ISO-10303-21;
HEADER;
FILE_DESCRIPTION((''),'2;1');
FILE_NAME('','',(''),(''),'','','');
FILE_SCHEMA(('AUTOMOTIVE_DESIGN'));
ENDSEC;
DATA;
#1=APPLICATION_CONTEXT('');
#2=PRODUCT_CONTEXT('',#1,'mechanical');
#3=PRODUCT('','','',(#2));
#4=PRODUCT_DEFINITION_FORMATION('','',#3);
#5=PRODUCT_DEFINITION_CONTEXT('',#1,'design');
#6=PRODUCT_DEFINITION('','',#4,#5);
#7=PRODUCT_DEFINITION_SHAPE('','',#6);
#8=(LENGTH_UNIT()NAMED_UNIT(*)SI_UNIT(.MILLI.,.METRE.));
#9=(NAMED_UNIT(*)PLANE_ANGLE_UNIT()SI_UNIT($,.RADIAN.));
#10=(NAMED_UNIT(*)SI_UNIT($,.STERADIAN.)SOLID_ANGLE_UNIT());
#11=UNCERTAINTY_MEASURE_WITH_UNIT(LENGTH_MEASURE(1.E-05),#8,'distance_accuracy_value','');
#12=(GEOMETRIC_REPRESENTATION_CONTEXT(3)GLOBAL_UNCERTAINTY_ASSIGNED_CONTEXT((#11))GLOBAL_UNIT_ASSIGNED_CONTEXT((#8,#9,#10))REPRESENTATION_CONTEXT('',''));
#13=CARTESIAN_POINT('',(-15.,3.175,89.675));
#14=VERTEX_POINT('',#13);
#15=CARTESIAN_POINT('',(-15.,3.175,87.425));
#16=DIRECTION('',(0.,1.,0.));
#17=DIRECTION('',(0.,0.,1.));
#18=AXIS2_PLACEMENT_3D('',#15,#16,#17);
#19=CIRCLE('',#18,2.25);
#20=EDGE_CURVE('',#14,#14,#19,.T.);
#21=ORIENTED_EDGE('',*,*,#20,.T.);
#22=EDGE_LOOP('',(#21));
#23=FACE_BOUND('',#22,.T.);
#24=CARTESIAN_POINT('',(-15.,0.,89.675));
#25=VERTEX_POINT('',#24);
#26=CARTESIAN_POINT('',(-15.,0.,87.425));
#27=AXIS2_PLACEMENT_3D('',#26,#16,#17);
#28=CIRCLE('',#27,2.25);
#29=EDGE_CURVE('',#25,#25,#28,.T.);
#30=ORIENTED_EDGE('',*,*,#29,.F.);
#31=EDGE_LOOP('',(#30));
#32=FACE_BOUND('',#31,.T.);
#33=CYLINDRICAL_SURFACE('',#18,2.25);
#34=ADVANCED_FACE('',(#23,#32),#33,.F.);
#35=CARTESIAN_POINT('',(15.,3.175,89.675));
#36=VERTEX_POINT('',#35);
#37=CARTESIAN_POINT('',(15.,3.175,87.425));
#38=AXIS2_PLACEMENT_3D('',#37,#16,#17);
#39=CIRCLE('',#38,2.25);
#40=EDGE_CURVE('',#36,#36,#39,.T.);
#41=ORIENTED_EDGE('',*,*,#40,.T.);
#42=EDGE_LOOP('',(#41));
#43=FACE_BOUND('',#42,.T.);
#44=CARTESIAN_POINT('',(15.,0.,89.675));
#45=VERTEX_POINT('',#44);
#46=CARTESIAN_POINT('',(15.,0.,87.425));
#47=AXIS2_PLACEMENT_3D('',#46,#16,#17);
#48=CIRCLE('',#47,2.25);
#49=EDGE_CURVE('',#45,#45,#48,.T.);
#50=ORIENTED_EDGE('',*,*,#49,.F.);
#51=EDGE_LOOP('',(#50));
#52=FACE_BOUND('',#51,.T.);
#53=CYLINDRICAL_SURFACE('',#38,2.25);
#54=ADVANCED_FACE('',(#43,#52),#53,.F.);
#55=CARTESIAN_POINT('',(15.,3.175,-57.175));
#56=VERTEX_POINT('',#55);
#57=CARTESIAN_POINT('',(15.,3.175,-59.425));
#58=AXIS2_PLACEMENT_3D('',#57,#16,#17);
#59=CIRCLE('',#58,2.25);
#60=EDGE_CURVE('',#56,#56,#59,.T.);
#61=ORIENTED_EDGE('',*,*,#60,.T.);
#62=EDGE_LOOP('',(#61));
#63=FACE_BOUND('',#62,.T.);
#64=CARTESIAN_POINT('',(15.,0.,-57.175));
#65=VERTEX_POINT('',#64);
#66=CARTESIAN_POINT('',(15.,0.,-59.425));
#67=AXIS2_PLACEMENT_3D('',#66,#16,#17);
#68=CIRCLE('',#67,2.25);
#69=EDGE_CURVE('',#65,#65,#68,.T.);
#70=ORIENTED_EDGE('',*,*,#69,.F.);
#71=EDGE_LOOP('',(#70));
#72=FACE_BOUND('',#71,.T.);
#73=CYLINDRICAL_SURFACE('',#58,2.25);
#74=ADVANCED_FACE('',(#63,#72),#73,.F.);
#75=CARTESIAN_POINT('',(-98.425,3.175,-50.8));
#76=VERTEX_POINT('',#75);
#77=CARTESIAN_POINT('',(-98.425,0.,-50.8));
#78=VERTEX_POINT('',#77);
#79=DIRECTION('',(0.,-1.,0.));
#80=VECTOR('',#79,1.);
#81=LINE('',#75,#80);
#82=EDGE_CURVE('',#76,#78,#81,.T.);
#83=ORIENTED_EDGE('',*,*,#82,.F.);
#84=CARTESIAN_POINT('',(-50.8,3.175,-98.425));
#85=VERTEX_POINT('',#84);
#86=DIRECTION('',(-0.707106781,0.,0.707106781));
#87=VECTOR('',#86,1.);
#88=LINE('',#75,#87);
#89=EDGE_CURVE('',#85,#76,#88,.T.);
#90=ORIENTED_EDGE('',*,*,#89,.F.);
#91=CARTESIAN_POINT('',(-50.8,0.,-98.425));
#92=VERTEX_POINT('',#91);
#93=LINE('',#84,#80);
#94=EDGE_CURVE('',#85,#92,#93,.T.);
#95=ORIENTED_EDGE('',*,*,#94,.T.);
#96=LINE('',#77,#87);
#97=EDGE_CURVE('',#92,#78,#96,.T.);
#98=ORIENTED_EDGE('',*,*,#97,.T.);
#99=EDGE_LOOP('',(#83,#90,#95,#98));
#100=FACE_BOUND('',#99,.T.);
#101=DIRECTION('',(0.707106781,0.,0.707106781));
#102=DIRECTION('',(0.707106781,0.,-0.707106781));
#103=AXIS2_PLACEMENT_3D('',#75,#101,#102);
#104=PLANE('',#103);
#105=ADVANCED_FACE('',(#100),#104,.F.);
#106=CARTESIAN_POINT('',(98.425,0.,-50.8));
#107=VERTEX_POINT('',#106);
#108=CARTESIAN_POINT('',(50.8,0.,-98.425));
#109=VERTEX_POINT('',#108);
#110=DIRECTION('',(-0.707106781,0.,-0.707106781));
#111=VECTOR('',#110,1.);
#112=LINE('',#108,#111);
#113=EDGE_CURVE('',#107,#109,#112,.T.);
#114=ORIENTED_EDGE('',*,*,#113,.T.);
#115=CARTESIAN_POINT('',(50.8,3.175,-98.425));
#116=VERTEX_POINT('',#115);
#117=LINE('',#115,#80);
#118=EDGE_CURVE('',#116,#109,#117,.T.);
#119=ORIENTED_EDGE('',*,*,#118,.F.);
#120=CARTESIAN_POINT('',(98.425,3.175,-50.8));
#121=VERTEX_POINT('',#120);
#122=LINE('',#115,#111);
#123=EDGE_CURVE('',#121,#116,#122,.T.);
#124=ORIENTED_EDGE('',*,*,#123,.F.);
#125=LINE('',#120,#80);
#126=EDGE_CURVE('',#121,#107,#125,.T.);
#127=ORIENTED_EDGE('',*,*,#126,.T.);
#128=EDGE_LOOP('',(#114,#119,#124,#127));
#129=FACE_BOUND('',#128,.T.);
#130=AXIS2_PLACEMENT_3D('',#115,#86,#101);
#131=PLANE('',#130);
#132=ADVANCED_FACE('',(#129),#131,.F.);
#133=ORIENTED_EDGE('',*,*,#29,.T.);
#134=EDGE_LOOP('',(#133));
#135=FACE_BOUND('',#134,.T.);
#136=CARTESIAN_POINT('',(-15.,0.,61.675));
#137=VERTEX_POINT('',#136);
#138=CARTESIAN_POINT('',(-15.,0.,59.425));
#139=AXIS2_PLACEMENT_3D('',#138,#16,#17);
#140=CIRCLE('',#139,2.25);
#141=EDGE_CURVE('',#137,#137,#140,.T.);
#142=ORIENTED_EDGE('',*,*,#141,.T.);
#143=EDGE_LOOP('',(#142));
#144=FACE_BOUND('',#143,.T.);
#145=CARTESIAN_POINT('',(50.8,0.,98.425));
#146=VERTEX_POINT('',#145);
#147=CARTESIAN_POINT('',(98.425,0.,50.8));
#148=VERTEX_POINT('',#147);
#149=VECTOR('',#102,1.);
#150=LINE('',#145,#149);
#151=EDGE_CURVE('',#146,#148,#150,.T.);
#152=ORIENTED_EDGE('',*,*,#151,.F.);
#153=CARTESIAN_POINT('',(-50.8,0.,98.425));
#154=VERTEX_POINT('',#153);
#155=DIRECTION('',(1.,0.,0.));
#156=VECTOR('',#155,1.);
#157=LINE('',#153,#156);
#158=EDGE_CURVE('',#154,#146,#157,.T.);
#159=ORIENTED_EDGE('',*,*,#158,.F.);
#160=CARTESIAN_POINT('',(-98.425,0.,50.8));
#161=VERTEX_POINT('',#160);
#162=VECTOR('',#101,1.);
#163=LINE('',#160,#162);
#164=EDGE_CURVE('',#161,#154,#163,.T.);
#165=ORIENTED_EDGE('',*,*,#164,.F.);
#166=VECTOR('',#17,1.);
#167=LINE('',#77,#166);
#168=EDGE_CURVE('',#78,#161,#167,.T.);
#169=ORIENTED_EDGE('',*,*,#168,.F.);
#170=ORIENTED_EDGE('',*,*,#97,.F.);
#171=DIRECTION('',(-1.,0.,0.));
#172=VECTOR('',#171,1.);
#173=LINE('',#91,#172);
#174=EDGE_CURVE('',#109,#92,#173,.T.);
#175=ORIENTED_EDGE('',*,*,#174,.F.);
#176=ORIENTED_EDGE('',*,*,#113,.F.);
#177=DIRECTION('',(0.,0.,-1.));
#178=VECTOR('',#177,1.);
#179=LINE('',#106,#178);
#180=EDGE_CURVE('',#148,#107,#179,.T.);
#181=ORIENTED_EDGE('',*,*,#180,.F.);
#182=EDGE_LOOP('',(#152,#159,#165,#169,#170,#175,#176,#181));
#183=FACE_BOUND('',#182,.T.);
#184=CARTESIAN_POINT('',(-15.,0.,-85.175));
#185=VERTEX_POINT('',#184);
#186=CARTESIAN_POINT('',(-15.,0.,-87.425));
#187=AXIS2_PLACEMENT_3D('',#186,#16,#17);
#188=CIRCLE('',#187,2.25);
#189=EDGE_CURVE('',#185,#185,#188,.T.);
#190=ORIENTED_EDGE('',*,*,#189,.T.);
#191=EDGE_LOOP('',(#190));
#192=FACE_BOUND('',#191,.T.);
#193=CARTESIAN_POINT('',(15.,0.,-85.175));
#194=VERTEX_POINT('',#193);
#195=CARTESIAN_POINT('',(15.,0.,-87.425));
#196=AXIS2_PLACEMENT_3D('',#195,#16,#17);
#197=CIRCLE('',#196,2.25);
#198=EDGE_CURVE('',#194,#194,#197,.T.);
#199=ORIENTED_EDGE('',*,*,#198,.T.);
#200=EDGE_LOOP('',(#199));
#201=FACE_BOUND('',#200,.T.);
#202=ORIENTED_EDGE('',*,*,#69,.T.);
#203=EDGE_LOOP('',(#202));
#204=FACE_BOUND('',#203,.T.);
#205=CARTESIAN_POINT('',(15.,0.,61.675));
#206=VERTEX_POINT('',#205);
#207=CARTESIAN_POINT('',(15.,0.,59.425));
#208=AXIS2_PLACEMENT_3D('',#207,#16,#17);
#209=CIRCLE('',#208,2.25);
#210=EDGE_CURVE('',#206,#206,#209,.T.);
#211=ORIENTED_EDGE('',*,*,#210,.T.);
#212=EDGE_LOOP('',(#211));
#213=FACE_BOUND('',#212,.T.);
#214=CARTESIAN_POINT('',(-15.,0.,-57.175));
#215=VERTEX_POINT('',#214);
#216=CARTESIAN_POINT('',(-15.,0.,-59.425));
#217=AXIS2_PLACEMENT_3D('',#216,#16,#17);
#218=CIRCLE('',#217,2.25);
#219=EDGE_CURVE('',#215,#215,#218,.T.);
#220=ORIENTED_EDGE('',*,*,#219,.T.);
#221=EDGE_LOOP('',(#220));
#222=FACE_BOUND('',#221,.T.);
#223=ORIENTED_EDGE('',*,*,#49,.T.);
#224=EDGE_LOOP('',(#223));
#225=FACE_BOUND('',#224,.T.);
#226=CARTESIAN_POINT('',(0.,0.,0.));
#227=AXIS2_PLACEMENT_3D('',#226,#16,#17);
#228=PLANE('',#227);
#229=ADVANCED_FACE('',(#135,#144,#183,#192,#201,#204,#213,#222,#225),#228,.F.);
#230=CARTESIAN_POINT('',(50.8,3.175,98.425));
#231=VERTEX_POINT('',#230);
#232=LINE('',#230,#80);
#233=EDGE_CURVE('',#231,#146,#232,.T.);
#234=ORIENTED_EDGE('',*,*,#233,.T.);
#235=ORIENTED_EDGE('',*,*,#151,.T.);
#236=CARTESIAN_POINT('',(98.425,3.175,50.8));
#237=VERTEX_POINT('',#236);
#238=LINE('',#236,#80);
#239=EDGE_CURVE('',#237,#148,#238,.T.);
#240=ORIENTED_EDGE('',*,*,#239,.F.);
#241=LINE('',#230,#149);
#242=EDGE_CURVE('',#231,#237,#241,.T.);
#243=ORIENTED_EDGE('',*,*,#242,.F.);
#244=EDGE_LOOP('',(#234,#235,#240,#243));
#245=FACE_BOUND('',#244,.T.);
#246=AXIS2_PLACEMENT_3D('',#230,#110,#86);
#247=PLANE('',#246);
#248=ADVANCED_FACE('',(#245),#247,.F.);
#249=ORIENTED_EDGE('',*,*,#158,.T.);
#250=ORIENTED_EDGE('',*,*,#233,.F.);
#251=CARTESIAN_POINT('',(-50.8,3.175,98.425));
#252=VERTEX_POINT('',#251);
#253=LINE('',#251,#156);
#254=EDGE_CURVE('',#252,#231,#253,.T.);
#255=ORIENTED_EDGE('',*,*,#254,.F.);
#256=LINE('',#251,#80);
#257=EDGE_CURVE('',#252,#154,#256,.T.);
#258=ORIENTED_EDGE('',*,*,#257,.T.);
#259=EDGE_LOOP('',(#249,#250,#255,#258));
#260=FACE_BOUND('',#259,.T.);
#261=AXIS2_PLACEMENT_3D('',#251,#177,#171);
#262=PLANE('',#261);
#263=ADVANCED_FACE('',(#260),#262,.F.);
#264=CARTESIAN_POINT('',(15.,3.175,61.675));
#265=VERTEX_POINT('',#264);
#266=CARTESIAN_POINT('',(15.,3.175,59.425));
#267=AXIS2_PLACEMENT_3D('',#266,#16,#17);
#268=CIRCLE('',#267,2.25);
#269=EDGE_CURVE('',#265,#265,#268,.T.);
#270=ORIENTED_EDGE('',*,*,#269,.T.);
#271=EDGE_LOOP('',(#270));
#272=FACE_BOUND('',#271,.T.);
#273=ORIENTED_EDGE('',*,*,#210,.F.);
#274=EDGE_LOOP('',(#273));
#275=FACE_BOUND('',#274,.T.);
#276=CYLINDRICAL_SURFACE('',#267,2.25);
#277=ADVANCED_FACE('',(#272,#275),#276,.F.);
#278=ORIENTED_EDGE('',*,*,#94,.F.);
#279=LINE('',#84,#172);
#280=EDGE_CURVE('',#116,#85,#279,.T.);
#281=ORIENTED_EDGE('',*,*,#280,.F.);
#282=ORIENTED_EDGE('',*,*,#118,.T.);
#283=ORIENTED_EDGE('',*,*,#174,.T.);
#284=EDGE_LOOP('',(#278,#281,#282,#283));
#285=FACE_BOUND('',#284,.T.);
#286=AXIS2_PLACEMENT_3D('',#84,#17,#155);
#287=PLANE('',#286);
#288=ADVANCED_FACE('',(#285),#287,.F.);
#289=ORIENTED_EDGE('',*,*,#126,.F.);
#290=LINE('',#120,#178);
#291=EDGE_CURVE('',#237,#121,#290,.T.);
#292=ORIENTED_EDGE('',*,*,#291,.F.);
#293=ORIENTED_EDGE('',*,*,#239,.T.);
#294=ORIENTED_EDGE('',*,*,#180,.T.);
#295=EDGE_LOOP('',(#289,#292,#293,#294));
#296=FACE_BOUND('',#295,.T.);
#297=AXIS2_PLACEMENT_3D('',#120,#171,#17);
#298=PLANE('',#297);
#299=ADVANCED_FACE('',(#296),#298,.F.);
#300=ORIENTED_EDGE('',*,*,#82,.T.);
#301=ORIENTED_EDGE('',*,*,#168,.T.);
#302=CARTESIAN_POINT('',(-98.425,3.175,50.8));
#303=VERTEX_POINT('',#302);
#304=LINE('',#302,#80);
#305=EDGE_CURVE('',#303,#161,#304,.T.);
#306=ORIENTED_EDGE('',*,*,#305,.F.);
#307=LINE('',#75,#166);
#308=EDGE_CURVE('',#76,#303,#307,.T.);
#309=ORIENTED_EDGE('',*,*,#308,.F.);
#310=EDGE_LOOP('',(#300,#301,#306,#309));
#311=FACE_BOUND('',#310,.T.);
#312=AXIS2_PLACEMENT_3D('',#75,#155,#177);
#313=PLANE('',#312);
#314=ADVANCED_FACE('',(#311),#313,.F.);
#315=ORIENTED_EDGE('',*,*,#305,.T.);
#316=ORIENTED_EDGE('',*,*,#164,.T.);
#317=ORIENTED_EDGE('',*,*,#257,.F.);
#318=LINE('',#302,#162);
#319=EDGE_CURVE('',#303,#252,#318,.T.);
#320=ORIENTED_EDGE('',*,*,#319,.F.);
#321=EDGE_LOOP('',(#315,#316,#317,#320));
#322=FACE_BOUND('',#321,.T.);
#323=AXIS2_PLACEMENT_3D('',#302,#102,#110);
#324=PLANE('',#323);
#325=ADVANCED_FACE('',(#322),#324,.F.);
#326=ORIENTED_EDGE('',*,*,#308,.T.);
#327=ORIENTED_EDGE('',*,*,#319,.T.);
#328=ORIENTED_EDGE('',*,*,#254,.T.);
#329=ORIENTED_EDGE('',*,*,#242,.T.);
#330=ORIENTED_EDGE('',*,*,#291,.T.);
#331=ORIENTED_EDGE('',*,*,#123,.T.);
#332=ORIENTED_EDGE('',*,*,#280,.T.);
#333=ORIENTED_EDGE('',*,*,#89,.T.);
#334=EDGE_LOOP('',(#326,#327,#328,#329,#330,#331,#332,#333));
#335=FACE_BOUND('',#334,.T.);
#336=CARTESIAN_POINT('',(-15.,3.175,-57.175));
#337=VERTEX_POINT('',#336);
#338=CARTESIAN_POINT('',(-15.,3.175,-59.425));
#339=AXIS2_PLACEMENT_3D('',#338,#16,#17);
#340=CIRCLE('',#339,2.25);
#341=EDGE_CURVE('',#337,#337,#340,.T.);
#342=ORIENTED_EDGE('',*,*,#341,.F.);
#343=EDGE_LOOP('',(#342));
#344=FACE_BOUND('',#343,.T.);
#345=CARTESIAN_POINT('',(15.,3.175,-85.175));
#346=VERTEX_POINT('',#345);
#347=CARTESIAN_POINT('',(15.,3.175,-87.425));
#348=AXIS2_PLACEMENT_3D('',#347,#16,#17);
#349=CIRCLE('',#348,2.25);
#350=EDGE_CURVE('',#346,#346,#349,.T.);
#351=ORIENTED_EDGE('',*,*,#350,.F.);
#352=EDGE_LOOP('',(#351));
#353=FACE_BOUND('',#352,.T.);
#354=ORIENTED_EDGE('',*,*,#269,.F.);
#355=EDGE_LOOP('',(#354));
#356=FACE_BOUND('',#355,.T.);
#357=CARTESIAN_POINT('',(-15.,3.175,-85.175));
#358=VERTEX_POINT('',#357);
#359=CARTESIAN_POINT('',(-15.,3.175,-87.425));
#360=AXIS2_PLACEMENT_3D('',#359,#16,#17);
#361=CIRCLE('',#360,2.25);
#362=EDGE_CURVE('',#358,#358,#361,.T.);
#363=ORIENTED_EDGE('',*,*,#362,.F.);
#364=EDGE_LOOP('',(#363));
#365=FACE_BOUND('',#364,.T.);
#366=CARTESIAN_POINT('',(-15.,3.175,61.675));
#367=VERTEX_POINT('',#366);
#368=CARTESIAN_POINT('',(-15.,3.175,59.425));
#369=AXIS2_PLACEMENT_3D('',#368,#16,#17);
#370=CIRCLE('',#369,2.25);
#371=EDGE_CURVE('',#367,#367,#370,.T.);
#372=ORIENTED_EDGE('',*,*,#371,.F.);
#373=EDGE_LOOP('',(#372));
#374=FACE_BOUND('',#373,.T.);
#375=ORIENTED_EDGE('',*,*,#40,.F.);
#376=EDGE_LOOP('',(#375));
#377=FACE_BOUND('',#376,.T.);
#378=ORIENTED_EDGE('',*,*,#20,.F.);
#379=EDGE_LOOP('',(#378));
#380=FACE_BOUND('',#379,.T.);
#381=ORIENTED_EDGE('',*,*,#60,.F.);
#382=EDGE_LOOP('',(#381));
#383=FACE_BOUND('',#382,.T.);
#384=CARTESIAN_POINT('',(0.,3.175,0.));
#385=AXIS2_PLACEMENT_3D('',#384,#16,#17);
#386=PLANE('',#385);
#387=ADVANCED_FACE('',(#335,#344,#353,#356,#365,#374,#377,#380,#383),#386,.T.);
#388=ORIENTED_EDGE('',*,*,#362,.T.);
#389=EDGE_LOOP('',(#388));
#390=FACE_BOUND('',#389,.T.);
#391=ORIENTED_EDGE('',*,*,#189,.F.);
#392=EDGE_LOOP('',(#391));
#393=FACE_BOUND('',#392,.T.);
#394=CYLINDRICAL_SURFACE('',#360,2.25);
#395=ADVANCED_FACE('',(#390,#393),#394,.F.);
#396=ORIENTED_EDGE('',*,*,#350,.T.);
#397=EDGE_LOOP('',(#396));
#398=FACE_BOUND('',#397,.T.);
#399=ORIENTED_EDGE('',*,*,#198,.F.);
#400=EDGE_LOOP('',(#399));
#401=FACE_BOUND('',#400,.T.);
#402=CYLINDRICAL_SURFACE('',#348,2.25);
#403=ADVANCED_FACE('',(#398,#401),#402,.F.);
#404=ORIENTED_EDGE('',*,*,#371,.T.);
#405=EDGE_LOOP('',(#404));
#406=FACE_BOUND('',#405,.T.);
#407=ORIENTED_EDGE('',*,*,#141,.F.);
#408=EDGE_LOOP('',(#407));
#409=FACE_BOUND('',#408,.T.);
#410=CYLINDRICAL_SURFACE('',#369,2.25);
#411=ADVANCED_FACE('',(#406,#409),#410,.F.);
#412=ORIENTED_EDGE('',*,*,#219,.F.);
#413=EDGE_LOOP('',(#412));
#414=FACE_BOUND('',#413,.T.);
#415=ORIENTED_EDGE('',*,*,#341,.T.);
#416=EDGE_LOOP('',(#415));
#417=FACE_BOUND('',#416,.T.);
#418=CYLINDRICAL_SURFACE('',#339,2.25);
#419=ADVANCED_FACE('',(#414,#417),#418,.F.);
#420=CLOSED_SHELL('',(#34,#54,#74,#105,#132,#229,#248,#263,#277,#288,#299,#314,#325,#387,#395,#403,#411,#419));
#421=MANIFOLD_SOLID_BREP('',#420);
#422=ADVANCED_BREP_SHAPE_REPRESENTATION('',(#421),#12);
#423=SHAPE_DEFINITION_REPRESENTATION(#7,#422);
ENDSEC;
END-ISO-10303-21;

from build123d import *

# Parameters (mm, degrees)
BOSS_EXTRUDE1_DEPTH  = 3.175
M4_CLEARANCE_HOLE1_D = 4.5


with BuildPart() as part:
    # Sketch1 → Boss-Extrude1 (new body)
    with BuildSketch(Plane(origin=(0, 0, 0), x_dir=(1, 0, 0), z_dir=(0, 1, 0))):
        Polygon((-98.425, 50.8), (-50.8, 98.425), (50.8, 98.425), (98.425, 50.8), (98.425, -50.8), (50.8, -98.425), (-50.8, -98.425), (-98.425, -50.8), align=None)
    extrude(amount=BOSS_EXTRUDE1_DEPTH)

    # M4 Clearance Hole1 (through all)
    with Locations(Plane(origin=(-15, 3.175, -87.425), x_dir=(0, 0, 1), z_dir=(0, 1, 0))):
        with Locations((0, 0), (28, 0), (28, 30), (0, 30)):
            m4_clearance_hole1 = Hole(M4_CLEARANCE_HOLE1_D / 2)

    # Mirror1: M4 Clearance Hole1 across plane
    add(m4_clearance_hole1.mirror(Plane.XY), mode=Mode.SUBTRACT)


solid = part.part
